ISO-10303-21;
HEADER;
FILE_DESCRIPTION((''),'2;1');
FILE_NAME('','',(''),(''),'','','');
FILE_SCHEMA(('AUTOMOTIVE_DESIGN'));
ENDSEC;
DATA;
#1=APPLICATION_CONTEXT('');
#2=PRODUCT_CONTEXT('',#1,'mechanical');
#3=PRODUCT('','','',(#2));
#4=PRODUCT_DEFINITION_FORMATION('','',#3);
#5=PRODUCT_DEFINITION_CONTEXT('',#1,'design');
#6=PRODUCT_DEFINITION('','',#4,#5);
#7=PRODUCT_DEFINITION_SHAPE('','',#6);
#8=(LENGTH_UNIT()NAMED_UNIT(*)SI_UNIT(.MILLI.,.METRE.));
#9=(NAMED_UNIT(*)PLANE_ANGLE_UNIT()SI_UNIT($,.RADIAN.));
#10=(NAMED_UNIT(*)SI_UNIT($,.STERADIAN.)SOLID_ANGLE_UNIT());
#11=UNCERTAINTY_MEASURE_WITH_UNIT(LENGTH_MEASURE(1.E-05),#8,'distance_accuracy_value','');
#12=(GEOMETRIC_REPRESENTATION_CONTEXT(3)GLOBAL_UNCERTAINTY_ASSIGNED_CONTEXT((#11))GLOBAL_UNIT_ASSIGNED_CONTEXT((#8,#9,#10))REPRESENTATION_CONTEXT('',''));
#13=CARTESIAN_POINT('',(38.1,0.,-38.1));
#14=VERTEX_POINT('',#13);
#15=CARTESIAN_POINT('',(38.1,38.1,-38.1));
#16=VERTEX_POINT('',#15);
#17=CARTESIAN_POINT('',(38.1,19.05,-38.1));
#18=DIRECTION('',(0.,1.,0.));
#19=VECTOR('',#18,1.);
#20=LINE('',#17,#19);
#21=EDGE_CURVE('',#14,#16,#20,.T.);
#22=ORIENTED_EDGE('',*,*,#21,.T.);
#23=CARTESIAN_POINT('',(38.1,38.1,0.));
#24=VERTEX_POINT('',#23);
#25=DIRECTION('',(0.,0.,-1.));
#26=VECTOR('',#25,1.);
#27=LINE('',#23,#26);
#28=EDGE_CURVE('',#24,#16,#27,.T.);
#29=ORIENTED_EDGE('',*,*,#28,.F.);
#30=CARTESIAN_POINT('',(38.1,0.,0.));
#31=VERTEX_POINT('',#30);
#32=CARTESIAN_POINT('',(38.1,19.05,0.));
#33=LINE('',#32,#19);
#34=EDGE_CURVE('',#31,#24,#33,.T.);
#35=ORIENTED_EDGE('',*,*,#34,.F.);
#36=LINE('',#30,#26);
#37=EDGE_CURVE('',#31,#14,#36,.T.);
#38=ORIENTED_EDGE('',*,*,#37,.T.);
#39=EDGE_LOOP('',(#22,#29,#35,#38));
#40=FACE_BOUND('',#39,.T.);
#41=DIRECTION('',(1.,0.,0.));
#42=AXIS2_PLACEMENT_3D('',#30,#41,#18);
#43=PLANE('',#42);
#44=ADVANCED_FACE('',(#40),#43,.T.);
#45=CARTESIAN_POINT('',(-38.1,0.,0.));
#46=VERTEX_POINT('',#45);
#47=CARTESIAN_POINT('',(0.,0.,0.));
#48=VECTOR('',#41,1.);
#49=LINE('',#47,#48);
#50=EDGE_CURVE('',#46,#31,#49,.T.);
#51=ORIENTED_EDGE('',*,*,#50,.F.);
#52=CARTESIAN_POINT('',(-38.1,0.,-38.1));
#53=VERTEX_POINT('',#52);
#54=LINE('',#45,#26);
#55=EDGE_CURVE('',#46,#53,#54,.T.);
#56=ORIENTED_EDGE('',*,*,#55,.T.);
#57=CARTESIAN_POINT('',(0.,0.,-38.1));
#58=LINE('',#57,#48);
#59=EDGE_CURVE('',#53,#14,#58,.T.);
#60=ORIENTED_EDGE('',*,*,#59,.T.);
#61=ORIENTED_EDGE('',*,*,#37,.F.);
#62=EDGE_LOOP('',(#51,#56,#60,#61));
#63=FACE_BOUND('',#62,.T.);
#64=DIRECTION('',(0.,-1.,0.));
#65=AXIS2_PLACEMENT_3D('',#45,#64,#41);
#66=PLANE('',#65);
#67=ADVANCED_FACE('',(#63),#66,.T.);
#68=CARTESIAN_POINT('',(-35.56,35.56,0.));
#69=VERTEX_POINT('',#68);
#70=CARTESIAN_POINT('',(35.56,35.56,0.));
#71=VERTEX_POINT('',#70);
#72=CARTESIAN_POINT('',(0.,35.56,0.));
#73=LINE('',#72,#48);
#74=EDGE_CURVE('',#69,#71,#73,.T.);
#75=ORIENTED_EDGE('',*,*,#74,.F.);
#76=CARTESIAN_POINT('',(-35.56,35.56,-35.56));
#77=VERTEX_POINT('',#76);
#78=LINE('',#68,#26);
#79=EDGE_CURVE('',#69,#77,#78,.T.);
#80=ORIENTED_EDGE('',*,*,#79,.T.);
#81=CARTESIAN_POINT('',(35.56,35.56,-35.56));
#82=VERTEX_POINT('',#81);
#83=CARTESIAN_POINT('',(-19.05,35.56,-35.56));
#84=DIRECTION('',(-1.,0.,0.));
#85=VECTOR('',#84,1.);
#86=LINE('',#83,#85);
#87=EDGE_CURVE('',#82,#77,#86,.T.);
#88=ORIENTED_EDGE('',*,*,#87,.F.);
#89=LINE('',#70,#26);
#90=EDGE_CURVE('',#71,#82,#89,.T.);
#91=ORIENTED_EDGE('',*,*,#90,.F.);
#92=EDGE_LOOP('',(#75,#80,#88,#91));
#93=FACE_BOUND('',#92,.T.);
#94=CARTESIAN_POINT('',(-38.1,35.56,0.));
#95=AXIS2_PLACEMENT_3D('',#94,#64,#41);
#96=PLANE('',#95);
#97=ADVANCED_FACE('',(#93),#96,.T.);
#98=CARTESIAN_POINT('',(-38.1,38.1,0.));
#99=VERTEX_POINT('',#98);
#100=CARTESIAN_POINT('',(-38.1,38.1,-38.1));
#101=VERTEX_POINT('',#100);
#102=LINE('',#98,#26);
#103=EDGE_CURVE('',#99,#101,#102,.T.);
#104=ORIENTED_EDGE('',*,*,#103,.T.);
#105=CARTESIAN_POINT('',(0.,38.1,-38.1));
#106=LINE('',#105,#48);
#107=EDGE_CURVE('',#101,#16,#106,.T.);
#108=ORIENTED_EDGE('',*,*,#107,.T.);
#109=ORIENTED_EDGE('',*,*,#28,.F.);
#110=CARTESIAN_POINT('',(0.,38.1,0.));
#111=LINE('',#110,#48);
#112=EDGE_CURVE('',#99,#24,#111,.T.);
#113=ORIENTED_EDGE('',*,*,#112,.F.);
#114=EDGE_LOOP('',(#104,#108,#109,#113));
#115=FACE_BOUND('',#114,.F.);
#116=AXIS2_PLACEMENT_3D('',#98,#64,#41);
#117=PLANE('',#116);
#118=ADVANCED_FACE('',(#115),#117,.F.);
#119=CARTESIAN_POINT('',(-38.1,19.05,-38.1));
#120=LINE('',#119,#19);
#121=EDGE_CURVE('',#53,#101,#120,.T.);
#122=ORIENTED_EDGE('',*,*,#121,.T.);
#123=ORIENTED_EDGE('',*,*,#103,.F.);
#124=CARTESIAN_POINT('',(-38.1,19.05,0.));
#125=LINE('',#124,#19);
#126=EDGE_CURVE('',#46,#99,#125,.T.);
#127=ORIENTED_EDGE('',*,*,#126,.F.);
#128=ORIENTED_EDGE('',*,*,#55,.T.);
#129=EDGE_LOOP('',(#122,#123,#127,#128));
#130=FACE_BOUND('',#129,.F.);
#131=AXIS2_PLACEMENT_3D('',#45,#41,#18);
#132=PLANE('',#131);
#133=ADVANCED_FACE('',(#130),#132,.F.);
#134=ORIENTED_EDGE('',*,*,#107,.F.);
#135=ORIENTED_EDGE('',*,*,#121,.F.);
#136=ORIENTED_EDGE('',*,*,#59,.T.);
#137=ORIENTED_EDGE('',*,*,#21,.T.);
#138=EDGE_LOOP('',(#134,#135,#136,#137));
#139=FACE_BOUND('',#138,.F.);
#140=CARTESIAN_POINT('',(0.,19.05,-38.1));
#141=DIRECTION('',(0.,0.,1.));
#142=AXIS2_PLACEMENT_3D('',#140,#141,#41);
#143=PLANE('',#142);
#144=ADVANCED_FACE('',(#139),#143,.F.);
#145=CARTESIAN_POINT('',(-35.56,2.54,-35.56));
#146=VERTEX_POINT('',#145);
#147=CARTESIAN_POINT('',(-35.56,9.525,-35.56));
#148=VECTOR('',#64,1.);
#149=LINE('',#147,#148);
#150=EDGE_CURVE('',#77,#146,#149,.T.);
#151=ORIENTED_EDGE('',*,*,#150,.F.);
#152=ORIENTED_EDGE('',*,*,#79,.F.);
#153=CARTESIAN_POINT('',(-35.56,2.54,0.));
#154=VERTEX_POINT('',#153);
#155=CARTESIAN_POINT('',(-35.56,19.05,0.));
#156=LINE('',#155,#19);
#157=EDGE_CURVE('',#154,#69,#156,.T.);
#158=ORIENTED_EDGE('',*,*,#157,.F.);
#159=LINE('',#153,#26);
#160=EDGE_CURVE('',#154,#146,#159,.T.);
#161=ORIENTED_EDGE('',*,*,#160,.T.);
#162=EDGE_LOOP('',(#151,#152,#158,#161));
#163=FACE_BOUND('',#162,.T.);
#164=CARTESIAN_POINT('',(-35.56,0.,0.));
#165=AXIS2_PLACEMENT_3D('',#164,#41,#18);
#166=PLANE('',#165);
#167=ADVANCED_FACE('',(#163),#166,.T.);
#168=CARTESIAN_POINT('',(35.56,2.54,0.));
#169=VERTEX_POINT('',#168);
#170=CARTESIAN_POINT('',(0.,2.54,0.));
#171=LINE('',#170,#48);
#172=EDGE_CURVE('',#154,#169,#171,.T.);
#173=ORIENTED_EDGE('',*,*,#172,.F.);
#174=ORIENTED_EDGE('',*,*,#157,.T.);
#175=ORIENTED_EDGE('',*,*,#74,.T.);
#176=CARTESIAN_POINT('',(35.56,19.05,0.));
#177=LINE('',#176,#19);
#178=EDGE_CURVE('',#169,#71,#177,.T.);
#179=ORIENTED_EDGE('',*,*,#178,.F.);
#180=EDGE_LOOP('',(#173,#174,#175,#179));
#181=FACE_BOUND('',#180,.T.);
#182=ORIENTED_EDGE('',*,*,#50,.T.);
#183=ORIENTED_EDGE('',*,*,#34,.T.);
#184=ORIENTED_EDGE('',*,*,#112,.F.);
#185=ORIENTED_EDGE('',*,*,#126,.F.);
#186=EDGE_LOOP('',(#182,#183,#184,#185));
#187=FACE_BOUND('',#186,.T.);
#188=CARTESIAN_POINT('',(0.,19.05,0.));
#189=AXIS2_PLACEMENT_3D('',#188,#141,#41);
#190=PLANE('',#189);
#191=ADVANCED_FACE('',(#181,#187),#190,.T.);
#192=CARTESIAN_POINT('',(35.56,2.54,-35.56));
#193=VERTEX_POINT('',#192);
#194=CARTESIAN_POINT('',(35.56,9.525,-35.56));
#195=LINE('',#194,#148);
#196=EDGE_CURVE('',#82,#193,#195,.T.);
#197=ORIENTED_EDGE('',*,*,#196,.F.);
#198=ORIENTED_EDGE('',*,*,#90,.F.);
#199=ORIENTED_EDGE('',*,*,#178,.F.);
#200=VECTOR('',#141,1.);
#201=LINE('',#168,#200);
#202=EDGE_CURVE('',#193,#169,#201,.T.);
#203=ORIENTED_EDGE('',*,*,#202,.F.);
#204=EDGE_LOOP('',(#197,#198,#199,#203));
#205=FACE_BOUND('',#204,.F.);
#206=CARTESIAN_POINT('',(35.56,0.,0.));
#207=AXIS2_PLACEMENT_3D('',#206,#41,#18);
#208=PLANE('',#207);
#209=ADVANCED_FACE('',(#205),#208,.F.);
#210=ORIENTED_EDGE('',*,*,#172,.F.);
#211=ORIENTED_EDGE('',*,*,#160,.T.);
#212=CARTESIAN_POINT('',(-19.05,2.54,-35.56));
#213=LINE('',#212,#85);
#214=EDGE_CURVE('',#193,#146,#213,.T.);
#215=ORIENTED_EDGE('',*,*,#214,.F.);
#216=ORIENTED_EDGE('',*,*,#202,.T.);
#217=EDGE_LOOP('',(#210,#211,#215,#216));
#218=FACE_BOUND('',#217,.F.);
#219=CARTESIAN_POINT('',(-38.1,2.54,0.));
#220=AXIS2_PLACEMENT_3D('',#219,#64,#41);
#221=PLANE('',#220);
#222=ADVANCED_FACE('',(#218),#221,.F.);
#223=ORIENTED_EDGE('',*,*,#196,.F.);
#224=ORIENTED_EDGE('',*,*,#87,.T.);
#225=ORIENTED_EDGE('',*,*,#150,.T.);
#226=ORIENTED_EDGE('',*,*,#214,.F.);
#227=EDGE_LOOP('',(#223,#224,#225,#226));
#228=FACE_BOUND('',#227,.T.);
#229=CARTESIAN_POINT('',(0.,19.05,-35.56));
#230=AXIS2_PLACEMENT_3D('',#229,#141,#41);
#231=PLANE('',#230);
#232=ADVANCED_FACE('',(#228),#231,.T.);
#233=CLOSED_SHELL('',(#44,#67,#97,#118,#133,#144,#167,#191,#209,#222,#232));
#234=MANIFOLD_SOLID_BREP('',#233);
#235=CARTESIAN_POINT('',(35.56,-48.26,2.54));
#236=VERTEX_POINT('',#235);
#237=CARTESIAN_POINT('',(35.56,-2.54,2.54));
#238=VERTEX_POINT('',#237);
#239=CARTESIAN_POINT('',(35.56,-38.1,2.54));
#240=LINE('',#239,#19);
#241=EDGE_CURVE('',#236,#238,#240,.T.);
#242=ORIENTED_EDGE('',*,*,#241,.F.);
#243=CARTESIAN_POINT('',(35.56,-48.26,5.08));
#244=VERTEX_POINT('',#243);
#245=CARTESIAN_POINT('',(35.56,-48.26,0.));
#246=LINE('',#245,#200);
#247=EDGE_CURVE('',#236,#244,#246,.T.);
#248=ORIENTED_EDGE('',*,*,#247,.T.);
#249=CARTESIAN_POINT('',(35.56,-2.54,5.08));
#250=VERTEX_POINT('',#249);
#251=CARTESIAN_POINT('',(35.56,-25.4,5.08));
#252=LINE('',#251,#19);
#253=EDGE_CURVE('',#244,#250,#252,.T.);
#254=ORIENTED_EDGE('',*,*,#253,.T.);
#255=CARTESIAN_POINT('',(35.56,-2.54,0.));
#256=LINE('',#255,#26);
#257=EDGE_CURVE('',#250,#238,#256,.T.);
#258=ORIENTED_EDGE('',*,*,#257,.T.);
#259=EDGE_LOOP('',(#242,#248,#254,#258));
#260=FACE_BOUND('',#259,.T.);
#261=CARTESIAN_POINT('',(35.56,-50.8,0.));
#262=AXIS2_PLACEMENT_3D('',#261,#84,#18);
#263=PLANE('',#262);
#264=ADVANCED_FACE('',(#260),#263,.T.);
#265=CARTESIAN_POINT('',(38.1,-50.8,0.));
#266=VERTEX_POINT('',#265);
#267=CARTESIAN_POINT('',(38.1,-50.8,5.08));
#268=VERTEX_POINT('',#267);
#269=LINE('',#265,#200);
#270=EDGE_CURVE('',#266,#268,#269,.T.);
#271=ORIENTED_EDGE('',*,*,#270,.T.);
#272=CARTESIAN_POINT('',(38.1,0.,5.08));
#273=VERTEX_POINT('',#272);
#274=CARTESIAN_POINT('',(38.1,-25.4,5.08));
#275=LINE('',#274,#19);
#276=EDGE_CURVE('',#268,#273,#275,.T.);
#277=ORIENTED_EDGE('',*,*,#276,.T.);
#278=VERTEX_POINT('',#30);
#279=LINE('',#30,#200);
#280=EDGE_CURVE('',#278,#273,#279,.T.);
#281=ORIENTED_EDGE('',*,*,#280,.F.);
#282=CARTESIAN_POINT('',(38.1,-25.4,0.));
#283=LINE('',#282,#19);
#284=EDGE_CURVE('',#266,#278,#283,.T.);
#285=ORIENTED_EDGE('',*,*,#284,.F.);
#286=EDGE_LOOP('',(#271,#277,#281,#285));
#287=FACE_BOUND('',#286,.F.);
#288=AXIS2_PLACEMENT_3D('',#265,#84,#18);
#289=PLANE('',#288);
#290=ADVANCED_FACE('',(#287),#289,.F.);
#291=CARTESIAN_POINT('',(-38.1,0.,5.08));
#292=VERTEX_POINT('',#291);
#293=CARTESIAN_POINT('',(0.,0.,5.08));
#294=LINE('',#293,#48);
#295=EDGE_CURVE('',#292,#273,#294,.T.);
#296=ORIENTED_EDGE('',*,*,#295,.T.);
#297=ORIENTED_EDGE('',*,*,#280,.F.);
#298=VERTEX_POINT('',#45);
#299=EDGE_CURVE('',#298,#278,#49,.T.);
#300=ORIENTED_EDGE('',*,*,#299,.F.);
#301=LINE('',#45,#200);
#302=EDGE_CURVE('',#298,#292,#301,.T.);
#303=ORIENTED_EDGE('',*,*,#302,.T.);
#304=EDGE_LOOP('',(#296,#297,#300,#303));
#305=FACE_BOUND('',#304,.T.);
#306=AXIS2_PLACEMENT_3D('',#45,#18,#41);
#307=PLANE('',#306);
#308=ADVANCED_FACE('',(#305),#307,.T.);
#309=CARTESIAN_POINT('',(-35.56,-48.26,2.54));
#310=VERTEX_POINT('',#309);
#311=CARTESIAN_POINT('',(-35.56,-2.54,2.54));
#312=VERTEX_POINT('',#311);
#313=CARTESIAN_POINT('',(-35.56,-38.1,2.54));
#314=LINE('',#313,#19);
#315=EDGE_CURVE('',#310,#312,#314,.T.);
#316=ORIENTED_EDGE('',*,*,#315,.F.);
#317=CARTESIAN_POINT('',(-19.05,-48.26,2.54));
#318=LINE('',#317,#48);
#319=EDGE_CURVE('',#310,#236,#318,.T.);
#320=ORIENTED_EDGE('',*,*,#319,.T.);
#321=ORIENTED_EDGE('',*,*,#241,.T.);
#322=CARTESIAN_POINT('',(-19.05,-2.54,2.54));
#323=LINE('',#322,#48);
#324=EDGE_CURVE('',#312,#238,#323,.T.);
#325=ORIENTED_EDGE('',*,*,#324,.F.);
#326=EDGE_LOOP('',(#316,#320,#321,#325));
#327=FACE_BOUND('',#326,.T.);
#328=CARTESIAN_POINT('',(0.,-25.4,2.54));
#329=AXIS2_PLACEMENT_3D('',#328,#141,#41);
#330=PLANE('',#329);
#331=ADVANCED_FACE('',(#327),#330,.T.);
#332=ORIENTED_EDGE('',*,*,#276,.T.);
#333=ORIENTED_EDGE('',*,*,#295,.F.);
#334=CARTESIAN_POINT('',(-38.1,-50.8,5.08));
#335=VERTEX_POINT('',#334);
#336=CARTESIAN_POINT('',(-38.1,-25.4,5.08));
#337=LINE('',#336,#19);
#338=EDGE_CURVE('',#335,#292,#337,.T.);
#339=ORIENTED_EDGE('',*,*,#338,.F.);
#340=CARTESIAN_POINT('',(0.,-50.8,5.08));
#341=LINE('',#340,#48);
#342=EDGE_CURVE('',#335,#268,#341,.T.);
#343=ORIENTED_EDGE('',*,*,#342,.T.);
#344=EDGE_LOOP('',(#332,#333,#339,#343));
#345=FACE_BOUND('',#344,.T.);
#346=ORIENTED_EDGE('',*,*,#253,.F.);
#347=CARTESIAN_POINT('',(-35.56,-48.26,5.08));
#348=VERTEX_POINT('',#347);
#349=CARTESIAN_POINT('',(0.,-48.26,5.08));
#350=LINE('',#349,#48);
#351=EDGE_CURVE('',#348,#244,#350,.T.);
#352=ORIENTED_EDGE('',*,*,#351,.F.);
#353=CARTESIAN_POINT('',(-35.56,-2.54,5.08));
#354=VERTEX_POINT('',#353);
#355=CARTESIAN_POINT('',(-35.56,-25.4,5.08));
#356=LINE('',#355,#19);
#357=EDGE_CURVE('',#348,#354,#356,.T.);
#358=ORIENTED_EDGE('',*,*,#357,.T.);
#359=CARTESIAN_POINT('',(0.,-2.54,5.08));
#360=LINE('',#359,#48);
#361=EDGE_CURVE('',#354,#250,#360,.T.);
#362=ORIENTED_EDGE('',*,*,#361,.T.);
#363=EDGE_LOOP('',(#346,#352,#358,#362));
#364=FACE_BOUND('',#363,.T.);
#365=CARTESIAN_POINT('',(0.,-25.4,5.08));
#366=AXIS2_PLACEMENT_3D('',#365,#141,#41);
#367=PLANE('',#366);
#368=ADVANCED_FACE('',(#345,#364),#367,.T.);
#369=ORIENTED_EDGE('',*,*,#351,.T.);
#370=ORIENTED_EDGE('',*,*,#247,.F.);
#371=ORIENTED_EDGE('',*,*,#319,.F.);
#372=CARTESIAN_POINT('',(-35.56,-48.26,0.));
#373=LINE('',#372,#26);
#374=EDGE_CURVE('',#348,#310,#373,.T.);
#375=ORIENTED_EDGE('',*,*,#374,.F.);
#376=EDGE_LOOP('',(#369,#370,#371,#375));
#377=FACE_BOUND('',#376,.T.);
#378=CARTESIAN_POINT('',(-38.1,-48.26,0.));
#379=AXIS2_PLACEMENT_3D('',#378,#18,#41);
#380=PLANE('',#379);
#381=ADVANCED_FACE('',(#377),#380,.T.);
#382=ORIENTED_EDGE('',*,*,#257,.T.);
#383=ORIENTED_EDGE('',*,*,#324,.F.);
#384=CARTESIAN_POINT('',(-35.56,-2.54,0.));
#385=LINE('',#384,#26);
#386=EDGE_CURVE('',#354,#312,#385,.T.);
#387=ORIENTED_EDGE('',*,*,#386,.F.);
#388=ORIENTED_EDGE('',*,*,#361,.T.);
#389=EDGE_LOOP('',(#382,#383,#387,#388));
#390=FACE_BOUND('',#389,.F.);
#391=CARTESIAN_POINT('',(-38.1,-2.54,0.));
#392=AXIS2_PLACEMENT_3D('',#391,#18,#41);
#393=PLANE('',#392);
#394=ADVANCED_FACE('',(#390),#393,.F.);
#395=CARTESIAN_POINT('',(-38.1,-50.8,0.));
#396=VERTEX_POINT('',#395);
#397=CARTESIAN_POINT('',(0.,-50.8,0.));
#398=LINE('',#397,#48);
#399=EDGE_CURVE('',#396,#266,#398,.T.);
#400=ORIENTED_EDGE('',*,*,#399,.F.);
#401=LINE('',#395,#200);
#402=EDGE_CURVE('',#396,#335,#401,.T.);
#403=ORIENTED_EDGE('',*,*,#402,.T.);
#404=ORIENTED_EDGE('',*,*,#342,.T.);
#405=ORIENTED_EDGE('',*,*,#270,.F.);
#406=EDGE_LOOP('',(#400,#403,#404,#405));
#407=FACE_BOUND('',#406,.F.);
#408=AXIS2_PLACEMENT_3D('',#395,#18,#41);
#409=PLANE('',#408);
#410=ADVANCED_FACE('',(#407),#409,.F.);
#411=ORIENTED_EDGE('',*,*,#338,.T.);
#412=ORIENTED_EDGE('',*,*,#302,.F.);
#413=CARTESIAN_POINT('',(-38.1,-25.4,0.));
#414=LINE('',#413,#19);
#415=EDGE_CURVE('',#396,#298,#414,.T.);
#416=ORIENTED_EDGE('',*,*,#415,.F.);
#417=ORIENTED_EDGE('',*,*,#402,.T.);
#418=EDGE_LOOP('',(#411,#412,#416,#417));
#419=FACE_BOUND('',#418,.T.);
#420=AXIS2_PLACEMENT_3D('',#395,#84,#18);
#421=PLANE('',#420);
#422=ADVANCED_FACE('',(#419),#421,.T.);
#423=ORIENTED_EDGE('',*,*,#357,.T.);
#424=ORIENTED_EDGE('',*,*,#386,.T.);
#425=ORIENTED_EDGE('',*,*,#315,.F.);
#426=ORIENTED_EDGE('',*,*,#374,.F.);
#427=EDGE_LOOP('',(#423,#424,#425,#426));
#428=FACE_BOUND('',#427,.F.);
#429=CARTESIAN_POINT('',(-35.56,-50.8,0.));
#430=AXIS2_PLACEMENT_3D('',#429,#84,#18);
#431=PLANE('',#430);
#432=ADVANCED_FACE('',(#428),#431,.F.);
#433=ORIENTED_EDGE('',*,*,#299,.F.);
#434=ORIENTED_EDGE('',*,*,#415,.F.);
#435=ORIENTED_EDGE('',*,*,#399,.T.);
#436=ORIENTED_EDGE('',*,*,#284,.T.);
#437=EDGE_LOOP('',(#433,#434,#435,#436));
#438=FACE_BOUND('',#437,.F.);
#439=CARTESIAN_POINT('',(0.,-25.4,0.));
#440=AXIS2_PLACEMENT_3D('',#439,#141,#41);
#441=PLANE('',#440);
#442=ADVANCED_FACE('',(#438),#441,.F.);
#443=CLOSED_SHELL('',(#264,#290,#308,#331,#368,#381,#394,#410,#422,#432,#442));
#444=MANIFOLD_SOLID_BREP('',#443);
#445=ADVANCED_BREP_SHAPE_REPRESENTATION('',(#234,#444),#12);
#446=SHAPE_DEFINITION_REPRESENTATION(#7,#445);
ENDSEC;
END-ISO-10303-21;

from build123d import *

# Parameters (mm, degrees)
F0_W     = 76.2
F0_H     = 50.8
F1_DEPTH = 5.08
F0_H_2   = 38.1
F2_DEPTH = 38.1
F3_T     = -2.54
F3_2_T   = -2.54


with BuildPart() as f1:
    # F0 (on Top) → F1 (new body)
    with BuildSketch(Plane.XY):
        with Locations((0, -25.4)):
            Rectangle(F0_W, F0_H)
    extrude(amount=F1_DEPTH)

    # F3#2
    f3_2_openings = [f1.faces().sort_by_distance(p)[0] for p in [
        (0, -25.4, 5.08),
    ]]
    offset(amount=F3_2_T, openings=f3_2_openings)


with BuildPart() as f2:
    # F0 (on Top) → F2 (new body)
    with BuildSketch(Plane.XY):
        with Locations((0, 19.05)):
            Rectangle(F0_W, F0_H_2)
    extrude(amount=-F2_DEPTH)

    # F3
    f3_openings = [f2.faces().sort_by_distance(p)[0] for p in [
        (0, 19.05, 0),
    ]]
    offset(amount=F3_T, openings=f3_openings)


solid = Compound([f1.part, f2.part])
